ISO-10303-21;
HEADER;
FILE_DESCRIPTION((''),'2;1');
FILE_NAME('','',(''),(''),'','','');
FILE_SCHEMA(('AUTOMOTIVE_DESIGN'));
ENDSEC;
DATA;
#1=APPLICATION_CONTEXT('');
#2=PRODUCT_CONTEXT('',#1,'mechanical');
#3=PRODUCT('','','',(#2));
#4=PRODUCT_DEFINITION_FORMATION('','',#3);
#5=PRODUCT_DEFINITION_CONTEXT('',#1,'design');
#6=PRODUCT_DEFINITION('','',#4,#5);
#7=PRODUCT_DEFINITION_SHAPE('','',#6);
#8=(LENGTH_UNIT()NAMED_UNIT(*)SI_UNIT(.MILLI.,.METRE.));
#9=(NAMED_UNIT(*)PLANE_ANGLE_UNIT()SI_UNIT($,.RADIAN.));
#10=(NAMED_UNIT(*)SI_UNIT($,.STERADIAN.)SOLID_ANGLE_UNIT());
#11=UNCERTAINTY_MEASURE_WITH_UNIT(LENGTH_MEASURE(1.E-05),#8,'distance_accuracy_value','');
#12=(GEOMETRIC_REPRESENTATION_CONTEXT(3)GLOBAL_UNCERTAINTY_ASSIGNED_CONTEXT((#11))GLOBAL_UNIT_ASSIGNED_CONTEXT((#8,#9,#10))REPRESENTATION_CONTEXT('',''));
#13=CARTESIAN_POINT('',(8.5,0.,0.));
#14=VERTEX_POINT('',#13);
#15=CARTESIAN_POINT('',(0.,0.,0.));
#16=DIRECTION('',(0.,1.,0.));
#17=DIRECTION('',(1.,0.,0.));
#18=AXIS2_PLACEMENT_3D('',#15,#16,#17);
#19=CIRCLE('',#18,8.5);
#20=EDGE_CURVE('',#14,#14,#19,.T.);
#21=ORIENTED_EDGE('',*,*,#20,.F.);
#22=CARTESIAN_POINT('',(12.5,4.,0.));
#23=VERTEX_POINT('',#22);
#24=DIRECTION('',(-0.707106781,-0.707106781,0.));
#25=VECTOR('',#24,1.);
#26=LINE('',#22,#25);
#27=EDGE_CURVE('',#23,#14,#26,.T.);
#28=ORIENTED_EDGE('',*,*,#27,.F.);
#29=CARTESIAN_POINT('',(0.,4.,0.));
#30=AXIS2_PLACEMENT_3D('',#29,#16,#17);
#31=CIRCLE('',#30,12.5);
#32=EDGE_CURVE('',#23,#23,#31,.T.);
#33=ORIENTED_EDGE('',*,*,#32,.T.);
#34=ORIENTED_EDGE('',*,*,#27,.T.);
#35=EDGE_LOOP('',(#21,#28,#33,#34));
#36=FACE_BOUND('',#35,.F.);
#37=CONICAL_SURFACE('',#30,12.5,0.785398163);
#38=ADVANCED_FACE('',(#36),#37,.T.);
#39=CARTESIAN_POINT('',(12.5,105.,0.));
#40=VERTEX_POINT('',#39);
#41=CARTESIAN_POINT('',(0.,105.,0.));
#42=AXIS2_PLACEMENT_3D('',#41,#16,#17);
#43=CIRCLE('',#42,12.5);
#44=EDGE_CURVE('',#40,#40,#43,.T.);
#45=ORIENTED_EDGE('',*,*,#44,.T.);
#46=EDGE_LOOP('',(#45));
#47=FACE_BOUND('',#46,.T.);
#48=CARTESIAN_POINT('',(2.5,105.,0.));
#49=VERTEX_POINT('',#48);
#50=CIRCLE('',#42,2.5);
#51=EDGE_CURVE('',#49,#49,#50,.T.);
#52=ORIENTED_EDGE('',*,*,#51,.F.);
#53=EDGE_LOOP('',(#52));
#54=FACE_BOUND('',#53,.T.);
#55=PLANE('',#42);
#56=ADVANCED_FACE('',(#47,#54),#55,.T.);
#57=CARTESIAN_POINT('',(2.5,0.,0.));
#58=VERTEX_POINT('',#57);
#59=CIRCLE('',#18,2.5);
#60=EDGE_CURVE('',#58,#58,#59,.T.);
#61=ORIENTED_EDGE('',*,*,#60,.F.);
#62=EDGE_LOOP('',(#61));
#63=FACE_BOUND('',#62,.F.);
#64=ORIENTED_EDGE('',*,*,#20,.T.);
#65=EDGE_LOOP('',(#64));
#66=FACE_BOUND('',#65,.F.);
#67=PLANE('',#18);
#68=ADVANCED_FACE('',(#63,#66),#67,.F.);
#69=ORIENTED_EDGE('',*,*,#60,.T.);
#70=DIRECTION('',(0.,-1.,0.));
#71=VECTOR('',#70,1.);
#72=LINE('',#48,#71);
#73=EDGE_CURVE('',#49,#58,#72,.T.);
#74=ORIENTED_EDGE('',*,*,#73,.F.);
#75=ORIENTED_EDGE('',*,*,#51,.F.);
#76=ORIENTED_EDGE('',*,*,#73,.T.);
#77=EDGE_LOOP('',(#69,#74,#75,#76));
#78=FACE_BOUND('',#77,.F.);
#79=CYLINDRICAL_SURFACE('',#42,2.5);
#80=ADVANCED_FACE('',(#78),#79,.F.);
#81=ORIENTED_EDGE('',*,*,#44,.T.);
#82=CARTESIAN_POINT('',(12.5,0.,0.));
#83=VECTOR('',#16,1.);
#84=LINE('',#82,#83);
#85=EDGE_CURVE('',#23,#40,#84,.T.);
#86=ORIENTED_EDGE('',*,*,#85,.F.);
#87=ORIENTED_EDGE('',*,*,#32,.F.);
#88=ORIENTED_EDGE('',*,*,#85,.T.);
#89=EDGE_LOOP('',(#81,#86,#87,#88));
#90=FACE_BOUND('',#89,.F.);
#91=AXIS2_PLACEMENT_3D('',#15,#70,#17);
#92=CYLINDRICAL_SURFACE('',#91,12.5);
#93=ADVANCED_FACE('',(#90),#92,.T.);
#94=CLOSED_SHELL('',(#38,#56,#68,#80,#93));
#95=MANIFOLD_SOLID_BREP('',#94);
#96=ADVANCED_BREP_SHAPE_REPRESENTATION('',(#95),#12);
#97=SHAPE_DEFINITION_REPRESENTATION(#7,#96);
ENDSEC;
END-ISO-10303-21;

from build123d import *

# Parameters (mm, degrees)
SKETCH1_R           = 12.5
BOSS_EXTRUDE1_DEPTH = 105
SKETCH2_R           = 2.5
CUT_EXTRUDE1_DEPTH  = 105
CHAMFER1_SIZE       = 4


with BuildPart() as part:
    # Sketch1 → Boss-Extrude1 (new body)
    with BuildSketch(Plane(origin=(0, 0, 0), x_dir=(1, 0, 0), z_dir=(0, 1, 0))):
        Circle(SKETCH1_R)
    extrude(amount=BOSS_EXTRUDE1_DEPTH)

    # Sketch2 → Cut-Extrude1 (cut)
    with BuildSketch(Plane(origin=(0, 105, 0), x_dir=(1, 0, 0), z_dir=(0, 1, 0))):
        Circle(SKETCH2_R)
    extrude(amount=-CUT_EXTRUDE1_DEPTH, mode=Mode.SUBTRACT)

    # Chamfer1
    chamfer1_edges = [part.edges().sort_by_distance(p)[0] for p in [
        (-12.5, 0, 0),
    ]]
    chamfer(chamfer1_edges, length=CHAMFER1_SIZE)


solid = part.part
